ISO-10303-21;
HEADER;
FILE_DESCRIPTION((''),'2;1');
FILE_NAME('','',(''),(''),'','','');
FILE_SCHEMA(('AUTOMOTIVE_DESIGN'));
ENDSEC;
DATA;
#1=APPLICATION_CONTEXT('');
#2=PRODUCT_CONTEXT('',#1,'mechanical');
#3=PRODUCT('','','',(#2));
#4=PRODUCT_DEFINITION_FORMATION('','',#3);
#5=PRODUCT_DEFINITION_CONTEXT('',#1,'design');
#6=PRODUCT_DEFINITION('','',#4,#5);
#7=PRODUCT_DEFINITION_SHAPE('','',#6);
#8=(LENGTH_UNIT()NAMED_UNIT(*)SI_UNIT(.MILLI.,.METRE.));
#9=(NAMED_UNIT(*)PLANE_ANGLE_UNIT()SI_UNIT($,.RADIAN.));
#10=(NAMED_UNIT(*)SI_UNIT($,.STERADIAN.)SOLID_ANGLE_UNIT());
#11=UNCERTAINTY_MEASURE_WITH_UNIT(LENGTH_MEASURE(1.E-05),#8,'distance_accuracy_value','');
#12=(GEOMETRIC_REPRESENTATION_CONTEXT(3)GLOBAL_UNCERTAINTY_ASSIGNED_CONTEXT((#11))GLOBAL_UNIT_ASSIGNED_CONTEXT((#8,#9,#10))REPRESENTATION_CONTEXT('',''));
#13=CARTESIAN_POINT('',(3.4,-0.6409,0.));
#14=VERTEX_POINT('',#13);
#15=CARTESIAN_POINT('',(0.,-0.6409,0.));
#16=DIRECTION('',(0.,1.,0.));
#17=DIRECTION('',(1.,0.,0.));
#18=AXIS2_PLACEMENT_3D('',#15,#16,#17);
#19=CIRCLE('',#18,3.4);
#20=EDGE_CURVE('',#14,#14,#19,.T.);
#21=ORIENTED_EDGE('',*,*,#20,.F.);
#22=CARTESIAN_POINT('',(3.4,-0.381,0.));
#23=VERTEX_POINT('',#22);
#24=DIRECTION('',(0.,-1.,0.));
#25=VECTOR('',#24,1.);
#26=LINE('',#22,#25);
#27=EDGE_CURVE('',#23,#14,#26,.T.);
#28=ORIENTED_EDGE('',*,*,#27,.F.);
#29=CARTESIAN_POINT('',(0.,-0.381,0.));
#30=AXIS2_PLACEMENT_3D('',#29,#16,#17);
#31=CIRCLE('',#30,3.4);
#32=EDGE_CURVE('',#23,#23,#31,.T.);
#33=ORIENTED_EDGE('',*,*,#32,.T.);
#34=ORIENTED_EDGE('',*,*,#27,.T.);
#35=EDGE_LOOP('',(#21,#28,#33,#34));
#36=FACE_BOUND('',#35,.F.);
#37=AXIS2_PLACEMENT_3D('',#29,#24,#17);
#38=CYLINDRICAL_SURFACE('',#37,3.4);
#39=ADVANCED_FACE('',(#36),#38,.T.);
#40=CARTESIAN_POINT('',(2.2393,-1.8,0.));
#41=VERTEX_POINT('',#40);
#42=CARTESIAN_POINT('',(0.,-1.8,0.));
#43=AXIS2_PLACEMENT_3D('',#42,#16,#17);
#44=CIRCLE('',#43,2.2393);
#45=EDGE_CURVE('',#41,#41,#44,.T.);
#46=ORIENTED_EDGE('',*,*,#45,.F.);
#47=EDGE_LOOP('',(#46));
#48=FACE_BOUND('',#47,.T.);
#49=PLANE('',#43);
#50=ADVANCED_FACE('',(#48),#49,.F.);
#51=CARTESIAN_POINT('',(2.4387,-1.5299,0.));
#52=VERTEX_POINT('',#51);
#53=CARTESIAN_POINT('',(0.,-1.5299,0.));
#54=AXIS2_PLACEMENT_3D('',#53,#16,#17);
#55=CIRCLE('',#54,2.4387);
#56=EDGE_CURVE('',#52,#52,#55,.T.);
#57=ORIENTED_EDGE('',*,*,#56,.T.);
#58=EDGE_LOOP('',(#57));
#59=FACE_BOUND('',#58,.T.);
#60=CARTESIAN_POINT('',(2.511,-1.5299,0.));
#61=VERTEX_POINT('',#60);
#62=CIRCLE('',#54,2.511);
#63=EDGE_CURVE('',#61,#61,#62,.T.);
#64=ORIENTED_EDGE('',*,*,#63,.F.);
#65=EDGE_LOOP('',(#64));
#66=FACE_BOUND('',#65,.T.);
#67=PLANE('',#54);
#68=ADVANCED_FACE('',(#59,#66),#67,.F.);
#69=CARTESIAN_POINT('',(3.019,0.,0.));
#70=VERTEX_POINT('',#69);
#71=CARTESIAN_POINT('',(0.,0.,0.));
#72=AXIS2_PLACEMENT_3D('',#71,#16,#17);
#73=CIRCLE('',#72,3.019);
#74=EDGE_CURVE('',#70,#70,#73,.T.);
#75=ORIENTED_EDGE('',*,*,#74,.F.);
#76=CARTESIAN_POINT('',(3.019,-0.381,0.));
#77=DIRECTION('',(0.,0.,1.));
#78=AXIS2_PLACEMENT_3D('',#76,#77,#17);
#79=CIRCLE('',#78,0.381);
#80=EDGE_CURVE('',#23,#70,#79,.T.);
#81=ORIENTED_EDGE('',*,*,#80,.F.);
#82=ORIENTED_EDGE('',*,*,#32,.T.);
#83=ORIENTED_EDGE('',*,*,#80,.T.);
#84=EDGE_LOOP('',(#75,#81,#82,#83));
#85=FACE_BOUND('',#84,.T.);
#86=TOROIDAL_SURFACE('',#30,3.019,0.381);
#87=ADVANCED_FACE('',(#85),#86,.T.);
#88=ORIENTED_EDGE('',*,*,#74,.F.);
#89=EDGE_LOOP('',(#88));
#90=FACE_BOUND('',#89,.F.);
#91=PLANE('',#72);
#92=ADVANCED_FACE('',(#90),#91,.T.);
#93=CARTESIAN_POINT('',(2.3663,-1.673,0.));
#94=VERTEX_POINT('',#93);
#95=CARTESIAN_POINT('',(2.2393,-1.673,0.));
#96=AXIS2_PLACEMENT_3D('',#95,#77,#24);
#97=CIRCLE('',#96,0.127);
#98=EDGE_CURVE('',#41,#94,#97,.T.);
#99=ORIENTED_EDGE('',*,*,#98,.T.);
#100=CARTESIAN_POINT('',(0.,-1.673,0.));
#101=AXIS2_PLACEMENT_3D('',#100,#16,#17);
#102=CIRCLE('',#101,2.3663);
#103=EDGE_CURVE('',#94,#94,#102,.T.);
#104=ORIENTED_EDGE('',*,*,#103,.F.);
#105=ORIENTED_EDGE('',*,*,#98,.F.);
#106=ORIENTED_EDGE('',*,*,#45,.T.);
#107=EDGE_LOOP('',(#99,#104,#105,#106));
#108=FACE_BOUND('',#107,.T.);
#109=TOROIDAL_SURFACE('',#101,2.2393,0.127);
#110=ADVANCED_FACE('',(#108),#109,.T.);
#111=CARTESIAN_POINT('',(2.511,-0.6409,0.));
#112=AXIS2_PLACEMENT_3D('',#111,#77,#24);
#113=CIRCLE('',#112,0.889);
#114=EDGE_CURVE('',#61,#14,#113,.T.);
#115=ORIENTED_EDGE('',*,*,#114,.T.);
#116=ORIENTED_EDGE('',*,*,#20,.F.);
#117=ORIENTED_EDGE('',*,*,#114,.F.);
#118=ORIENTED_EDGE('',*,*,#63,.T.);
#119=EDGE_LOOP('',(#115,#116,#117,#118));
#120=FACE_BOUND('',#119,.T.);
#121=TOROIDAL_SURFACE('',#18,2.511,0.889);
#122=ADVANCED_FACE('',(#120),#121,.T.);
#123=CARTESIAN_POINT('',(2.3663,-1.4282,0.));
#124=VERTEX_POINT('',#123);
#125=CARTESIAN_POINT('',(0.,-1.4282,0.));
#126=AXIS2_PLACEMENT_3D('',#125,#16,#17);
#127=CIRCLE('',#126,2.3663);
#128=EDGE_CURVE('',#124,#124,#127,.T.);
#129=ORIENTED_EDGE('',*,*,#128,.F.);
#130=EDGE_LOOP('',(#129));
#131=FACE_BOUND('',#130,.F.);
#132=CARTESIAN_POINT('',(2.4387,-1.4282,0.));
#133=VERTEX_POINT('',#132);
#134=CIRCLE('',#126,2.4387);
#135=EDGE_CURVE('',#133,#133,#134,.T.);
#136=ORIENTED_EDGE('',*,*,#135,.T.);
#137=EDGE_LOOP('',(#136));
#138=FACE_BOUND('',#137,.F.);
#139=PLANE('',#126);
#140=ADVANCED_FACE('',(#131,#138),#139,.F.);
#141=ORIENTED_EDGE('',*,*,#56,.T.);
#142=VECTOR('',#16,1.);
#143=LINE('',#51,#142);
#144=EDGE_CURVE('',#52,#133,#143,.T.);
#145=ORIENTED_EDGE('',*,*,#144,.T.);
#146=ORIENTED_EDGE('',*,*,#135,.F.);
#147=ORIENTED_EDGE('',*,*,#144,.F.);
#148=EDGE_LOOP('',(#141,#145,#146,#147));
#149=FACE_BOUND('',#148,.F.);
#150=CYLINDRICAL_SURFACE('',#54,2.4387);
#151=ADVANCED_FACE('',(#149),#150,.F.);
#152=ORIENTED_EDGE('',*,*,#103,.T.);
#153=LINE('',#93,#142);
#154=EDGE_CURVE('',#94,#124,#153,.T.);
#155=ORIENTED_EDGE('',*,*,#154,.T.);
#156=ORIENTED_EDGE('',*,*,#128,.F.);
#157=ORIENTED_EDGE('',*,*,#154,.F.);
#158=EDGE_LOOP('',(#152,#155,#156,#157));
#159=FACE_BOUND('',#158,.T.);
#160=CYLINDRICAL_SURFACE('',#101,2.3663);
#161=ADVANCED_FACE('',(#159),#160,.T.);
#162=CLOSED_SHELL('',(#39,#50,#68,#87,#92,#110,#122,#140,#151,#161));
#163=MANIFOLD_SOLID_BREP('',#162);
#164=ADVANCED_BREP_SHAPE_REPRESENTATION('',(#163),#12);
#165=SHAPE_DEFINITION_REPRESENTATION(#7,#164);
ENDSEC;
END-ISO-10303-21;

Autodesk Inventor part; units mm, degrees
ref_plane "YZ Plane" through (0, 0, 0) normal (1, 0, 0) x (0, 1, 0)
ref_plane "XZ Plane" through (0, 0, 0) normal (0, 1, 0) x (-1, 0, 0)
ref_plane "XY Plane" through (0, 0, 0) normal (0, 0, 1) x (1, 0, 0)
sketch "Sketch1" plane through (0, 0, 0) normal (0, 0, 1) x (1, 0, 0)
  line L0 (0, 0) -> (3.019, 0)
  line L1 (3.4, -0.381) -> (3.4, -0.6409)
  line L2 (0, -1.8) -> (0, 0)
  line L3 (0, -1.8) -> (2.2393, -1.8)
  line L4 (2.3663, -1.673) -> (2.3663, -1.4282)
  line L5 (0, -1.3716) -> (0, -1.8)
  arc A0 (3.4, -0.381) -> (3.019, 0) centre (3.019, -0.381) ccw
  line L6 (2.4387, -1.5299) -> (2.511, -1.5299)
  arc A1 (2.511, -1.5299) -> (3.4, -0.6409) centre (2.511, -0.6409) ccw
  arc A2 (2.2393, -1.8) -> (2.3663, -1.673) centre (2.2393, -1.673) ccw
  line L7 (2.4387, -1.5299) -> (2.4387, -1.4282)
  line L8 (2.4387, -1.4282) -> (2.3663, -1.4282)
  point P0 (3.4, 0)
  dimension "d2" = 0.381
  dimension "d3" = 0.889
  dimension "d4" = 0.127
revolve "Revolution1" add sketch "Sketch1" angle 360 about axis through (0, -1.8, 0) along (0, 1, 0)
properties part number "SuperCap_PAS614L" material "Silver"
